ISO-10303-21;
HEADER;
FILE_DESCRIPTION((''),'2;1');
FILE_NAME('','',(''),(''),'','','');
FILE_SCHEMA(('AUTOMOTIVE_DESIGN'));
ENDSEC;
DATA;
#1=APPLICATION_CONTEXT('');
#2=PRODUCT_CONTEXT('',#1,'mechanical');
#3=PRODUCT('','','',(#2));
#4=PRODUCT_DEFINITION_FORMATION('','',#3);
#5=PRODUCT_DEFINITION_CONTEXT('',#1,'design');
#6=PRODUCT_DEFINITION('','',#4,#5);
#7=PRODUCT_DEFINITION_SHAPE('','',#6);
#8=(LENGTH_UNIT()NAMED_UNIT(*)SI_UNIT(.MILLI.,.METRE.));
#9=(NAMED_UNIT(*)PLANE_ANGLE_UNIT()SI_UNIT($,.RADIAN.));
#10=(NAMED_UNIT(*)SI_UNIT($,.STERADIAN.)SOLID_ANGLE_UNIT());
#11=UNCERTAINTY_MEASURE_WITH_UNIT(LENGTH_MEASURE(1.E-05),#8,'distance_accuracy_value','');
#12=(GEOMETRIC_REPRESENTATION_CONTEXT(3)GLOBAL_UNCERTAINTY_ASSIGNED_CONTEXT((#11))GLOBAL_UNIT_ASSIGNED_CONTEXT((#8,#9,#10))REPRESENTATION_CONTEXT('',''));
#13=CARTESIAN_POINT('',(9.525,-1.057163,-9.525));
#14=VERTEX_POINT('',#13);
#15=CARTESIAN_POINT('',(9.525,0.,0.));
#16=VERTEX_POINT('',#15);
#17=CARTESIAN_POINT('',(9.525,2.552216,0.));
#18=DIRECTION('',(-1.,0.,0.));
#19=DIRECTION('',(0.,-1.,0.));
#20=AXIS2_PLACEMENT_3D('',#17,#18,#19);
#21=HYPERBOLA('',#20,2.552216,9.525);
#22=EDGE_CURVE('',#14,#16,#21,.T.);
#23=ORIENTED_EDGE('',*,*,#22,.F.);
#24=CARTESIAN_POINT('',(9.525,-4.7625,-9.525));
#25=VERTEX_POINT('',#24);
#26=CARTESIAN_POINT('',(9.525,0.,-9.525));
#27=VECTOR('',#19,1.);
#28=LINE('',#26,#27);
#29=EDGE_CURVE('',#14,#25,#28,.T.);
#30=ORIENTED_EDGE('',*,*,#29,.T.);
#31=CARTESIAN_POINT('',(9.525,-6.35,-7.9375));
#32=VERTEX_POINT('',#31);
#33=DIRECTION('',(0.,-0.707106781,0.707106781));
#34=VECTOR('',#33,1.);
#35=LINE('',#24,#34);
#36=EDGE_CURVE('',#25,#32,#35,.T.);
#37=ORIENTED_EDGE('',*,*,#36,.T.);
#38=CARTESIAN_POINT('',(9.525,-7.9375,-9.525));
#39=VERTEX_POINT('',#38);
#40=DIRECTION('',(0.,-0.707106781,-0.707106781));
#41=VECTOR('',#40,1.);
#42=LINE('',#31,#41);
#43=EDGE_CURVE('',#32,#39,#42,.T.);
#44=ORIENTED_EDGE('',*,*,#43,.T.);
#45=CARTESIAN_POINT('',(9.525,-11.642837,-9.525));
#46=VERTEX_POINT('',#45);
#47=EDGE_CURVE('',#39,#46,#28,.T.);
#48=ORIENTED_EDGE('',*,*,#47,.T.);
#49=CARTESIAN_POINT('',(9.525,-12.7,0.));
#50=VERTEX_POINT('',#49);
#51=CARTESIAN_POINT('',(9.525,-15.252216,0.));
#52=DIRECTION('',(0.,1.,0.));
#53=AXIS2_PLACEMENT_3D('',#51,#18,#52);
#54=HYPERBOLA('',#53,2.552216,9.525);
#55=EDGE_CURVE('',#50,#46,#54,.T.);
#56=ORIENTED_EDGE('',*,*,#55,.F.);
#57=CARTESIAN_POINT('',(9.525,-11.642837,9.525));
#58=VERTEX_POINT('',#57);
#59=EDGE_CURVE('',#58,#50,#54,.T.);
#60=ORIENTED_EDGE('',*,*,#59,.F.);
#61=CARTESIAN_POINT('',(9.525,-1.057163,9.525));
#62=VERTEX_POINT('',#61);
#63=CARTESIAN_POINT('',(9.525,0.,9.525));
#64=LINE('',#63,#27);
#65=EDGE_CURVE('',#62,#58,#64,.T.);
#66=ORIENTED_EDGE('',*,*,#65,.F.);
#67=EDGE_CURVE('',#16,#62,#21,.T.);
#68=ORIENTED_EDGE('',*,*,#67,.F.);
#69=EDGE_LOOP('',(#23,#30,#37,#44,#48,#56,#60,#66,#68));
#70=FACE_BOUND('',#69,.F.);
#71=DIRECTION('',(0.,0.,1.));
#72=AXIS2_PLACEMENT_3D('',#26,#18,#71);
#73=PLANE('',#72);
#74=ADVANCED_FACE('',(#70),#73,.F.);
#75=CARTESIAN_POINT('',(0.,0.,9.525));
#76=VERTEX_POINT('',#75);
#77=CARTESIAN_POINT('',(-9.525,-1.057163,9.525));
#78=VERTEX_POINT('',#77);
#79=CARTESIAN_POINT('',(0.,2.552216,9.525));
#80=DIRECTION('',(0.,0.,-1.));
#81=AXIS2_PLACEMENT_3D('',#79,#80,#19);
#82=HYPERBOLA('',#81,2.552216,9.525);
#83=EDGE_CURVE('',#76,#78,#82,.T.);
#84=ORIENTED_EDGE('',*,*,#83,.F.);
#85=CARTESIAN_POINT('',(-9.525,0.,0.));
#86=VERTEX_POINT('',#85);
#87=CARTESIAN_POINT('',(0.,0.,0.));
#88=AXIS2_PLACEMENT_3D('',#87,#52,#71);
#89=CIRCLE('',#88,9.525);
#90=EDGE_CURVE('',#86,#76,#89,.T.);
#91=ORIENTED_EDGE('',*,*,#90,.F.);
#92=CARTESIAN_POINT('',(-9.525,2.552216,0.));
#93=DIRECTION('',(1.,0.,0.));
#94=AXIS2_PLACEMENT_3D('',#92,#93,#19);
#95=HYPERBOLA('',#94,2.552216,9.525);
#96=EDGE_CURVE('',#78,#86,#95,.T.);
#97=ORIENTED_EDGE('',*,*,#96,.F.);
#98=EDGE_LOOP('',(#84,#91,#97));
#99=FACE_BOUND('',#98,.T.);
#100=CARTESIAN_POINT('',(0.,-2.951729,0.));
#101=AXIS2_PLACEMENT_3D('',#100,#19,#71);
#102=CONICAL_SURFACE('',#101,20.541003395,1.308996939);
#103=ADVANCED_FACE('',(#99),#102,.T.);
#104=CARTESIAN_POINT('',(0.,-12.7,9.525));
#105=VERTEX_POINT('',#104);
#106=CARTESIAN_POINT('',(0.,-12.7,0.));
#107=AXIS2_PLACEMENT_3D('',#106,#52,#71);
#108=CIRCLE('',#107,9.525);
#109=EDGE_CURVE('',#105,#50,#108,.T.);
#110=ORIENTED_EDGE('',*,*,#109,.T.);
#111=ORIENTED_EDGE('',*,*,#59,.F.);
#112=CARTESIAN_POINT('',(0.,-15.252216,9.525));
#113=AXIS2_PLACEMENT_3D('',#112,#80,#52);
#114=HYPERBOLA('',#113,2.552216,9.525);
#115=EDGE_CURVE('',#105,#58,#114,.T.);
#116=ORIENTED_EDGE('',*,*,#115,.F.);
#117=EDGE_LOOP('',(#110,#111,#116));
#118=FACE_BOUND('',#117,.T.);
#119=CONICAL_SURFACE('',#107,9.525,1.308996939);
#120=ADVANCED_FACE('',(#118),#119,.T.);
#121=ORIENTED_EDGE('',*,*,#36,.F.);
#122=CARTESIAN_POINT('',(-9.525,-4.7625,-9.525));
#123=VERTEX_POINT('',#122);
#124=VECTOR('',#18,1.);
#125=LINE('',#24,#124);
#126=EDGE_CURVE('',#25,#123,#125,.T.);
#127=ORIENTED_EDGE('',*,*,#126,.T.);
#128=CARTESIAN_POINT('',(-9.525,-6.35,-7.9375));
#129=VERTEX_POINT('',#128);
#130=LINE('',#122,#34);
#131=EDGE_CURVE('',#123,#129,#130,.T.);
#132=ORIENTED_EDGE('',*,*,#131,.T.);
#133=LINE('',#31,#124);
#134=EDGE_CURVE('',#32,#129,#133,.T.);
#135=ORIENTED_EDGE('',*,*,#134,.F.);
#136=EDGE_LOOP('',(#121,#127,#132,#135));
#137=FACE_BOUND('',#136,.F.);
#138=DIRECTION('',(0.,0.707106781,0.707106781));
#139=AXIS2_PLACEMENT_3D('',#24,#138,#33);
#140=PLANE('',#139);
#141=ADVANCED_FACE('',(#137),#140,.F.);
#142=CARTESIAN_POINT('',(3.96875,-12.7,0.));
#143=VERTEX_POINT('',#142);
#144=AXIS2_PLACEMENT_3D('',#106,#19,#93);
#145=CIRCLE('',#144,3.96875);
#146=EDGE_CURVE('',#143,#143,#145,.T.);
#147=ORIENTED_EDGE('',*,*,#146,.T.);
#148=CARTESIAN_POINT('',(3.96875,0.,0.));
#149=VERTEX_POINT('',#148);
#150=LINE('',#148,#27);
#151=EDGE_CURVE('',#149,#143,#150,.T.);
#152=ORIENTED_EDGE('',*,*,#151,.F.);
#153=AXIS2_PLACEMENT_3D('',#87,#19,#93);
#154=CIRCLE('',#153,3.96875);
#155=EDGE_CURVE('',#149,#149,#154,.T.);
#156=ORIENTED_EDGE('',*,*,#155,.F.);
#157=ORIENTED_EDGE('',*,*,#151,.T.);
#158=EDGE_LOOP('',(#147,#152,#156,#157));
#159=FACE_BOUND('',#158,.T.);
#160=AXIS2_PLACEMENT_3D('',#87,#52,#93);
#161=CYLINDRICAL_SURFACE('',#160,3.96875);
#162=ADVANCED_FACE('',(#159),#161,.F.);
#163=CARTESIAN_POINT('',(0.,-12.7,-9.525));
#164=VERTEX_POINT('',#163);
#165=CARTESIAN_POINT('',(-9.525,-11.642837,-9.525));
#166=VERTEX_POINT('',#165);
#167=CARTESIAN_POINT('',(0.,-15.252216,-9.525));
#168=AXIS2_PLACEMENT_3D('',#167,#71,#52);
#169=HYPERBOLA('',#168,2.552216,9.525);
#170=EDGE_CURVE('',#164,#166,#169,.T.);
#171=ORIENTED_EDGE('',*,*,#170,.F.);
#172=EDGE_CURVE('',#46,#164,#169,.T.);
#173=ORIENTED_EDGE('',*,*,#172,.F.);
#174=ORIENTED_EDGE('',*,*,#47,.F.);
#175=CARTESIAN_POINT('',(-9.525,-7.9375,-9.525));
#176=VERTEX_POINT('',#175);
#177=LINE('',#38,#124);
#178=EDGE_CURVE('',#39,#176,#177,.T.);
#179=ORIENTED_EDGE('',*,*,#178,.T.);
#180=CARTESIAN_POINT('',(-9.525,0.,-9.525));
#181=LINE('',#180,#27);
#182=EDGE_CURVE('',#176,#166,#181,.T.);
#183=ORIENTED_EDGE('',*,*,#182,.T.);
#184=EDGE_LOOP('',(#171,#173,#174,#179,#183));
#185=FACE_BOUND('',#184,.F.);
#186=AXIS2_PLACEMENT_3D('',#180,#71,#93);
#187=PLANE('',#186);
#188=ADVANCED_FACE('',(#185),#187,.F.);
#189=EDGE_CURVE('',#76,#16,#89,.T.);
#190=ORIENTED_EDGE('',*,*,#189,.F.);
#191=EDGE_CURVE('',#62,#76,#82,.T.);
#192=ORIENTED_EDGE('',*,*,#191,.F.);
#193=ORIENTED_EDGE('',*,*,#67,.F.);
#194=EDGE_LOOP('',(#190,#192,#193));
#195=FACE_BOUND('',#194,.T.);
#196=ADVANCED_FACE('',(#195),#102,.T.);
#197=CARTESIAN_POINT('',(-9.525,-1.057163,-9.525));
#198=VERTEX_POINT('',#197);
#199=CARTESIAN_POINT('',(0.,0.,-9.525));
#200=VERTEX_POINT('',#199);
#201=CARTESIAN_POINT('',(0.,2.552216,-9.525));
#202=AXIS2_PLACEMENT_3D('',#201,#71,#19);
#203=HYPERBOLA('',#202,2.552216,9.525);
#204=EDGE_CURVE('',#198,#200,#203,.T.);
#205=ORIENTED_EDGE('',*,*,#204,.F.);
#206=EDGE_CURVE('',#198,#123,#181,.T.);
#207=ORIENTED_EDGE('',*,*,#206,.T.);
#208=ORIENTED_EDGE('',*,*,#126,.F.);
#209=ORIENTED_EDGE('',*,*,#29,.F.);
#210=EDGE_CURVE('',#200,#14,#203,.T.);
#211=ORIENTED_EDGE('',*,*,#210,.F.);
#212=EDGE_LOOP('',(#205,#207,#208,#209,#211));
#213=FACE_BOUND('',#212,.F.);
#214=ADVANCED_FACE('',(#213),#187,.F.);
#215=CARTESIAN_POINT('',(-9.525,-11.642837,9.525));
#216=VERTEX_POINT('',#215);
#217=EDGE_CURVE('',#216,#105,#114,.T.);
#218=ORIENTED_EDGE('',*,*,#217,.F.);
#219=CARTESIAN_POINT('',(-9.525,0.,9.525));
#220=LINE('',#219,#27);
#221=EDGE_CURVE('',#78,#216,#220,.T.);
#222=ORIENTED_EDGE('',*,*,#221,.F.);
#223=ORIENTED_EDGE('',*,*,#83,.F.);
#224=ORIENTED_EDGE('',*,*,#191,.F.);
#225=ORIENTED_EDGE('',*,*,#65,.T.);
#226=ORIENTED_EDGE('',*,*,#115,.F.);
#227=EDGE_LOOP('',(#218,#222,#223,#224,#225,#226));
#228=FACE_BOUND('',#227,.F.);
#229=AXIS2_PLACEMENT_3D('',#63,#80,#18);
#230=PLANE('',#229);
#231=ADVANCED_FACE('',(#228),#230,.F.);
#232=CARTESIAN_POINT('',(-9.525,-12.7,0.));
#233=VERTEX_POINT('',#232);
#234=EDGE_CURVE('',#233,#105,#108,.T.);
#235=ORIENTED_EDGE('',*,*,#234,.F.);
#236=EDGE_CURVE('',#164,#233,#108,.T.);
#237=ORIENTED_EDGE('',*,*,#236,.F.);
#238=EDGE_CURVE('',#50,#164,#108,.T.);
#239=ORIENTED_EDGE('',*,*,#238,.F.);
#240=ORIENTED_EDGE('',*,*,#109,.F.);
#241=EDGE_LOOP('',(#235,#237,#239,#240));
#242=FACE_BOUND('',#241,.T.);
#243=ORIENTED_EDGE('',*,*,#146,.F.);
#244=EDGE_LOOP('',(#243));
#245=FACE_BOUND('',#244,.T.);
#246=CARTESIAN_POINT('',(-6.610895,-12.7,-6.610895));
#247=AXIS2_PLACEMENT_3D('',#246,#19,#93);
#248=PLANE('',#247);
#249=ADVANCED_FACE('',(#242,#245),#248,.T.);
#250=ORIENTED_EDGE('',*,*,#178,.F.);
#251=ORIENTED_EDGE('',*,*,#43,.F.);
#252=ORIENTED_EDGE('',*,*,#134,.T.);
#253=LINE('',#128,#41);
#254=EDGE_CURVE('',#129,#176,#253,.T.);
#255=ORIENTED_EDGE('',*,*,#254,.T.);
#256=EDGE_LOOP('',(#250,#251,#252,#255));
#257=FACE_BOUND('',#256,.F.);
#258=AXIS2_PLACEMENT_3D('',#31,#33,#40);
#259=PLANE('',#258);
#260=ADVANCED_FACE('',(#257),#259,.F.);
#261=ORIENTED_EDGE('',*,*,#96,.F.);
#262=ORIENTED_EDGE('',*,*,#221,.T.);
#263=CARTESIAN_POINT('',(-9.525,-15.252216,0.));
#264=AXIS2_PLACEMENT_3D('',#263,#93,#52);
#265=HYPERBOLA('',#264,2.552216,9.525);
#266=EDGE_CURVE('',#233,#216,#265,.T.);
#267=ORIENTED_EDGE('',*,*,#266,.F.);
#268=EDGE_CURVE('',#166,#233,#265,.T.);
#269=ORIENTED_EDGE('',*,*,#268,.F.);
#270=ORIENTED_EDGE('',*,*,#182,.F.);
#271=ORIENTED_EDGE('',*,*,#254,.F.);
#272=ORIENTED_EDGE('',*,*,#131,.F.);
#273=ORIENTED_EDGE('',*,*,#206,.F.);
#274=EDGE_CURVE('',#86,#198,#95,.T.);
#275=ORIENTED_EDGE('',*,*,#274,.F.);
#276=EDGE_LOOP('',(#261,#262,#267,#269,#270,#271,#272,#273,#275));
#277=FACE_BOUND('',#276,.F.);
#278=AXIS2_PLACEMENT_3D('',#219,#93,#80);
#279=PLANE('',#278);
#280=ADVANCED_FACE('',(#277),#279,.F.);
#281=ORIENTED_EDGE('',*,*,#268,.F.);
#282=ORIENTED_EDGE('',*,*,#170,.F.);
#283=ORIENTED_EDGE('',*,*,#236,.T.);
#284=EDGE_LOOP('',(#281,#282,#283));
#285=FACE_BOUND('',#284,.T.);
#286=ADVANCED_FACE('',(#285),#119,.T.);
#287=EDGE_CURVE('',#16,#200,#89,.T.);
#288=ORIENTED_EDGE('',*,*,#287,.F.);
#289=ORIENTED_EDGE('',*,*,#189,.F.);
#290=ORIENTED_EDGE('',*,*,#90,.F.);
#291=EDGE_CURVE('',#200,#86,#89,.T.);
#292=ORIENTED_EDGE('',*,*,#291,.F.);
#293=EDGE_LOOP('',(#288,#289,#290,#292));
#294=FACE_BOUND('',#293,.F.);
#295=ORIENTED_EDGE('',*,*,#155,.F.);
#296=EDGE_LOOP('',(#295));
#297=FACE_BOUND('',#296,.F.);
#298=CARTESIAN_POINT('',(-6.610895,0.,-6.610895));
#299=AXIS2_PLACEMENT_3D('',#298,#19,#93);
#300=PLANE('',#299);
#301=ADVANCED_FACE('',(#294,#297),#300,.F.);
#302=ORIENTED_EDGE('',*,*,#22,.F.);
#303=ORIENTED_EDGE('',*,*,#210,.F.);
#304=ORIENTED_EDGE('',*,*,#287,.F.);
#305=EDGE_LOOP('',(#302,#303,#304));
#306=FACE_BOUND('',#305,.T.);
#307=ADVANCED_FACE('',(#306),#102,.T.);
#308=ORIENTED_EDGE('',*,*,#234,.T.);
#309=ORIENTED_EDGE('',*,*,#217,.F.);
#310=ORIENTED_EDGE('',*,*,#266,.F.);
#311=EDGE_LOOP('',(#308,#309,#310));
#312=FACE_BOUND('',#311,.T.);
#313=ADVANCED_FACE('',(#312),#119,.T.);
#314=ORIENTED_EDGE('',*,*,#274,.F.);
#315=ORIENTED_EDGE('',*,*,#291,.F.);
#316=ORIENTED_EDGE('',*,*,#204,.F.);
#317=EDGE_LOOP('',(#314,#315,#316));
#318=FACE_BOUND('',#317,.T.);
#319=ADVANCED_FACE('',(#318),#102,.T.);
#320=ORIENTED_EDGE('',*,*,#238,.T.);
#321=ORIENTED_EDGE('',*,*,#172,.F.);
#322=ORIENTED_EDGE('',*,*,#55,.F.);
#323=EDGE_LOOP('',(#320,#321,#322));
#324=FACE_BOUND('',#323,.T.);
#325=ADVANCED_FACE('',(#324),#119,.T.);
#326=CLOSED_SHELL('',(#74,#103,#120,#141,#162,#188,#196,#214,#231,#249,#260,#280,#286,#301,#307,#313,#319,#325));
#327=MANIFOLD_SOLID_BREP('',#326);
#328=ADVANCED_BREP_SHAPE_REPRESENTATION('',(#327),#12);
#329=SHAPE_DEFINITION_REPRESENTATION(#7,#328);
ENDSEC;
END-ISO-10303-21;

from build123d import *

# Parameters (mm, degrees)
F0_R     = 3.96875
F1_DEPTH = 12.7
F3_DEPTH = 19.05


with BuildPart() as f1:
    # F0 (on Front) → F1 (new body)
    with BuildSketch(Plane.XZ):
        with BuildLine():
            Line((-9.525, 0), (-9.525, -9.525))
            Line((-9.525, -9.525), (0, -9.525))
            ThreePointArc((0, -9.525), (-6.7351920908, -6.7351920908), (-9.525, 0))
        make_face()
        with BuildLine():
            ThreePointArc((9.525, 0), (6.7351920908, -6.7351920908), (0, -9.525))
            Line((0, -9.525), (9.525, -9.525))
            Line((9.525, -9.525), (9.525, 0))
        make_face()
        with BuildLine():
            ThreePointArc((-9.525, 0), (-6.7351920908, -6.7351920908), (0, -9.525))
            ThreePointArc((0, -9.525), (6.7351920908, -6.7351920908), (9.525, 0))
            ThreePointArc((9.525, 0), (6.7351920908, 6.7351920908), (0, 9.525))
            ThreePointArc((0, 9.525), (-6.7351920908, 6.7351920908), (-9.525, 0))
        make_face()
        Circle(F0_R, mode=Mode.SUBTRACT)
        with BuildLine():
            Line((-9.525, 9.525), (-9.525, 0))
            ThreePointArc((-9.525, 0), (-6.7351920908, 6.7351920908), (0, 9.525))
            Line((0, 9.525), (-9.525, 9.525))
        make_face()
        with BuildLine():
            ThreePointArc((0, 9.525), (6.7351920908, 6.7351920908), (9.525, 0))
            Line((9.525, 0), (9.525, 9.525))
            Line((9.525, 9.525), (0, 9.525))
        make_face()
    extrude(amount=F1_DEPTH)

    # F2 (on face) → F3 (cut)
    with BuildSketch(Plane.YZ.offset(9.525)):
        Polygon((-4.7625, -9.525), (-6.35, -7.9375), (-7.9375, -9.525), align=None)
    extrude(amount=-F3_DEPTH, mode=Mode.SUBTRACT)

    # F5 (on mid) → F6 (revolve, cut)
    with BuildSketch(Plane.YZ):
        Polygon((-12.7, 20.5410033949), (-12.7, 9.525), (-9.7482707865, 20.5410033949), align=None)
        Polygon((-2.9517292135, 20.5410033949), (0, 9.525), (0, 20.5410033949), align=None)
    revolve(axis=Axis((0, 0, 0), (0, 1, 0)), mode=Mode.SUBTRACT)


solid = f1.part
